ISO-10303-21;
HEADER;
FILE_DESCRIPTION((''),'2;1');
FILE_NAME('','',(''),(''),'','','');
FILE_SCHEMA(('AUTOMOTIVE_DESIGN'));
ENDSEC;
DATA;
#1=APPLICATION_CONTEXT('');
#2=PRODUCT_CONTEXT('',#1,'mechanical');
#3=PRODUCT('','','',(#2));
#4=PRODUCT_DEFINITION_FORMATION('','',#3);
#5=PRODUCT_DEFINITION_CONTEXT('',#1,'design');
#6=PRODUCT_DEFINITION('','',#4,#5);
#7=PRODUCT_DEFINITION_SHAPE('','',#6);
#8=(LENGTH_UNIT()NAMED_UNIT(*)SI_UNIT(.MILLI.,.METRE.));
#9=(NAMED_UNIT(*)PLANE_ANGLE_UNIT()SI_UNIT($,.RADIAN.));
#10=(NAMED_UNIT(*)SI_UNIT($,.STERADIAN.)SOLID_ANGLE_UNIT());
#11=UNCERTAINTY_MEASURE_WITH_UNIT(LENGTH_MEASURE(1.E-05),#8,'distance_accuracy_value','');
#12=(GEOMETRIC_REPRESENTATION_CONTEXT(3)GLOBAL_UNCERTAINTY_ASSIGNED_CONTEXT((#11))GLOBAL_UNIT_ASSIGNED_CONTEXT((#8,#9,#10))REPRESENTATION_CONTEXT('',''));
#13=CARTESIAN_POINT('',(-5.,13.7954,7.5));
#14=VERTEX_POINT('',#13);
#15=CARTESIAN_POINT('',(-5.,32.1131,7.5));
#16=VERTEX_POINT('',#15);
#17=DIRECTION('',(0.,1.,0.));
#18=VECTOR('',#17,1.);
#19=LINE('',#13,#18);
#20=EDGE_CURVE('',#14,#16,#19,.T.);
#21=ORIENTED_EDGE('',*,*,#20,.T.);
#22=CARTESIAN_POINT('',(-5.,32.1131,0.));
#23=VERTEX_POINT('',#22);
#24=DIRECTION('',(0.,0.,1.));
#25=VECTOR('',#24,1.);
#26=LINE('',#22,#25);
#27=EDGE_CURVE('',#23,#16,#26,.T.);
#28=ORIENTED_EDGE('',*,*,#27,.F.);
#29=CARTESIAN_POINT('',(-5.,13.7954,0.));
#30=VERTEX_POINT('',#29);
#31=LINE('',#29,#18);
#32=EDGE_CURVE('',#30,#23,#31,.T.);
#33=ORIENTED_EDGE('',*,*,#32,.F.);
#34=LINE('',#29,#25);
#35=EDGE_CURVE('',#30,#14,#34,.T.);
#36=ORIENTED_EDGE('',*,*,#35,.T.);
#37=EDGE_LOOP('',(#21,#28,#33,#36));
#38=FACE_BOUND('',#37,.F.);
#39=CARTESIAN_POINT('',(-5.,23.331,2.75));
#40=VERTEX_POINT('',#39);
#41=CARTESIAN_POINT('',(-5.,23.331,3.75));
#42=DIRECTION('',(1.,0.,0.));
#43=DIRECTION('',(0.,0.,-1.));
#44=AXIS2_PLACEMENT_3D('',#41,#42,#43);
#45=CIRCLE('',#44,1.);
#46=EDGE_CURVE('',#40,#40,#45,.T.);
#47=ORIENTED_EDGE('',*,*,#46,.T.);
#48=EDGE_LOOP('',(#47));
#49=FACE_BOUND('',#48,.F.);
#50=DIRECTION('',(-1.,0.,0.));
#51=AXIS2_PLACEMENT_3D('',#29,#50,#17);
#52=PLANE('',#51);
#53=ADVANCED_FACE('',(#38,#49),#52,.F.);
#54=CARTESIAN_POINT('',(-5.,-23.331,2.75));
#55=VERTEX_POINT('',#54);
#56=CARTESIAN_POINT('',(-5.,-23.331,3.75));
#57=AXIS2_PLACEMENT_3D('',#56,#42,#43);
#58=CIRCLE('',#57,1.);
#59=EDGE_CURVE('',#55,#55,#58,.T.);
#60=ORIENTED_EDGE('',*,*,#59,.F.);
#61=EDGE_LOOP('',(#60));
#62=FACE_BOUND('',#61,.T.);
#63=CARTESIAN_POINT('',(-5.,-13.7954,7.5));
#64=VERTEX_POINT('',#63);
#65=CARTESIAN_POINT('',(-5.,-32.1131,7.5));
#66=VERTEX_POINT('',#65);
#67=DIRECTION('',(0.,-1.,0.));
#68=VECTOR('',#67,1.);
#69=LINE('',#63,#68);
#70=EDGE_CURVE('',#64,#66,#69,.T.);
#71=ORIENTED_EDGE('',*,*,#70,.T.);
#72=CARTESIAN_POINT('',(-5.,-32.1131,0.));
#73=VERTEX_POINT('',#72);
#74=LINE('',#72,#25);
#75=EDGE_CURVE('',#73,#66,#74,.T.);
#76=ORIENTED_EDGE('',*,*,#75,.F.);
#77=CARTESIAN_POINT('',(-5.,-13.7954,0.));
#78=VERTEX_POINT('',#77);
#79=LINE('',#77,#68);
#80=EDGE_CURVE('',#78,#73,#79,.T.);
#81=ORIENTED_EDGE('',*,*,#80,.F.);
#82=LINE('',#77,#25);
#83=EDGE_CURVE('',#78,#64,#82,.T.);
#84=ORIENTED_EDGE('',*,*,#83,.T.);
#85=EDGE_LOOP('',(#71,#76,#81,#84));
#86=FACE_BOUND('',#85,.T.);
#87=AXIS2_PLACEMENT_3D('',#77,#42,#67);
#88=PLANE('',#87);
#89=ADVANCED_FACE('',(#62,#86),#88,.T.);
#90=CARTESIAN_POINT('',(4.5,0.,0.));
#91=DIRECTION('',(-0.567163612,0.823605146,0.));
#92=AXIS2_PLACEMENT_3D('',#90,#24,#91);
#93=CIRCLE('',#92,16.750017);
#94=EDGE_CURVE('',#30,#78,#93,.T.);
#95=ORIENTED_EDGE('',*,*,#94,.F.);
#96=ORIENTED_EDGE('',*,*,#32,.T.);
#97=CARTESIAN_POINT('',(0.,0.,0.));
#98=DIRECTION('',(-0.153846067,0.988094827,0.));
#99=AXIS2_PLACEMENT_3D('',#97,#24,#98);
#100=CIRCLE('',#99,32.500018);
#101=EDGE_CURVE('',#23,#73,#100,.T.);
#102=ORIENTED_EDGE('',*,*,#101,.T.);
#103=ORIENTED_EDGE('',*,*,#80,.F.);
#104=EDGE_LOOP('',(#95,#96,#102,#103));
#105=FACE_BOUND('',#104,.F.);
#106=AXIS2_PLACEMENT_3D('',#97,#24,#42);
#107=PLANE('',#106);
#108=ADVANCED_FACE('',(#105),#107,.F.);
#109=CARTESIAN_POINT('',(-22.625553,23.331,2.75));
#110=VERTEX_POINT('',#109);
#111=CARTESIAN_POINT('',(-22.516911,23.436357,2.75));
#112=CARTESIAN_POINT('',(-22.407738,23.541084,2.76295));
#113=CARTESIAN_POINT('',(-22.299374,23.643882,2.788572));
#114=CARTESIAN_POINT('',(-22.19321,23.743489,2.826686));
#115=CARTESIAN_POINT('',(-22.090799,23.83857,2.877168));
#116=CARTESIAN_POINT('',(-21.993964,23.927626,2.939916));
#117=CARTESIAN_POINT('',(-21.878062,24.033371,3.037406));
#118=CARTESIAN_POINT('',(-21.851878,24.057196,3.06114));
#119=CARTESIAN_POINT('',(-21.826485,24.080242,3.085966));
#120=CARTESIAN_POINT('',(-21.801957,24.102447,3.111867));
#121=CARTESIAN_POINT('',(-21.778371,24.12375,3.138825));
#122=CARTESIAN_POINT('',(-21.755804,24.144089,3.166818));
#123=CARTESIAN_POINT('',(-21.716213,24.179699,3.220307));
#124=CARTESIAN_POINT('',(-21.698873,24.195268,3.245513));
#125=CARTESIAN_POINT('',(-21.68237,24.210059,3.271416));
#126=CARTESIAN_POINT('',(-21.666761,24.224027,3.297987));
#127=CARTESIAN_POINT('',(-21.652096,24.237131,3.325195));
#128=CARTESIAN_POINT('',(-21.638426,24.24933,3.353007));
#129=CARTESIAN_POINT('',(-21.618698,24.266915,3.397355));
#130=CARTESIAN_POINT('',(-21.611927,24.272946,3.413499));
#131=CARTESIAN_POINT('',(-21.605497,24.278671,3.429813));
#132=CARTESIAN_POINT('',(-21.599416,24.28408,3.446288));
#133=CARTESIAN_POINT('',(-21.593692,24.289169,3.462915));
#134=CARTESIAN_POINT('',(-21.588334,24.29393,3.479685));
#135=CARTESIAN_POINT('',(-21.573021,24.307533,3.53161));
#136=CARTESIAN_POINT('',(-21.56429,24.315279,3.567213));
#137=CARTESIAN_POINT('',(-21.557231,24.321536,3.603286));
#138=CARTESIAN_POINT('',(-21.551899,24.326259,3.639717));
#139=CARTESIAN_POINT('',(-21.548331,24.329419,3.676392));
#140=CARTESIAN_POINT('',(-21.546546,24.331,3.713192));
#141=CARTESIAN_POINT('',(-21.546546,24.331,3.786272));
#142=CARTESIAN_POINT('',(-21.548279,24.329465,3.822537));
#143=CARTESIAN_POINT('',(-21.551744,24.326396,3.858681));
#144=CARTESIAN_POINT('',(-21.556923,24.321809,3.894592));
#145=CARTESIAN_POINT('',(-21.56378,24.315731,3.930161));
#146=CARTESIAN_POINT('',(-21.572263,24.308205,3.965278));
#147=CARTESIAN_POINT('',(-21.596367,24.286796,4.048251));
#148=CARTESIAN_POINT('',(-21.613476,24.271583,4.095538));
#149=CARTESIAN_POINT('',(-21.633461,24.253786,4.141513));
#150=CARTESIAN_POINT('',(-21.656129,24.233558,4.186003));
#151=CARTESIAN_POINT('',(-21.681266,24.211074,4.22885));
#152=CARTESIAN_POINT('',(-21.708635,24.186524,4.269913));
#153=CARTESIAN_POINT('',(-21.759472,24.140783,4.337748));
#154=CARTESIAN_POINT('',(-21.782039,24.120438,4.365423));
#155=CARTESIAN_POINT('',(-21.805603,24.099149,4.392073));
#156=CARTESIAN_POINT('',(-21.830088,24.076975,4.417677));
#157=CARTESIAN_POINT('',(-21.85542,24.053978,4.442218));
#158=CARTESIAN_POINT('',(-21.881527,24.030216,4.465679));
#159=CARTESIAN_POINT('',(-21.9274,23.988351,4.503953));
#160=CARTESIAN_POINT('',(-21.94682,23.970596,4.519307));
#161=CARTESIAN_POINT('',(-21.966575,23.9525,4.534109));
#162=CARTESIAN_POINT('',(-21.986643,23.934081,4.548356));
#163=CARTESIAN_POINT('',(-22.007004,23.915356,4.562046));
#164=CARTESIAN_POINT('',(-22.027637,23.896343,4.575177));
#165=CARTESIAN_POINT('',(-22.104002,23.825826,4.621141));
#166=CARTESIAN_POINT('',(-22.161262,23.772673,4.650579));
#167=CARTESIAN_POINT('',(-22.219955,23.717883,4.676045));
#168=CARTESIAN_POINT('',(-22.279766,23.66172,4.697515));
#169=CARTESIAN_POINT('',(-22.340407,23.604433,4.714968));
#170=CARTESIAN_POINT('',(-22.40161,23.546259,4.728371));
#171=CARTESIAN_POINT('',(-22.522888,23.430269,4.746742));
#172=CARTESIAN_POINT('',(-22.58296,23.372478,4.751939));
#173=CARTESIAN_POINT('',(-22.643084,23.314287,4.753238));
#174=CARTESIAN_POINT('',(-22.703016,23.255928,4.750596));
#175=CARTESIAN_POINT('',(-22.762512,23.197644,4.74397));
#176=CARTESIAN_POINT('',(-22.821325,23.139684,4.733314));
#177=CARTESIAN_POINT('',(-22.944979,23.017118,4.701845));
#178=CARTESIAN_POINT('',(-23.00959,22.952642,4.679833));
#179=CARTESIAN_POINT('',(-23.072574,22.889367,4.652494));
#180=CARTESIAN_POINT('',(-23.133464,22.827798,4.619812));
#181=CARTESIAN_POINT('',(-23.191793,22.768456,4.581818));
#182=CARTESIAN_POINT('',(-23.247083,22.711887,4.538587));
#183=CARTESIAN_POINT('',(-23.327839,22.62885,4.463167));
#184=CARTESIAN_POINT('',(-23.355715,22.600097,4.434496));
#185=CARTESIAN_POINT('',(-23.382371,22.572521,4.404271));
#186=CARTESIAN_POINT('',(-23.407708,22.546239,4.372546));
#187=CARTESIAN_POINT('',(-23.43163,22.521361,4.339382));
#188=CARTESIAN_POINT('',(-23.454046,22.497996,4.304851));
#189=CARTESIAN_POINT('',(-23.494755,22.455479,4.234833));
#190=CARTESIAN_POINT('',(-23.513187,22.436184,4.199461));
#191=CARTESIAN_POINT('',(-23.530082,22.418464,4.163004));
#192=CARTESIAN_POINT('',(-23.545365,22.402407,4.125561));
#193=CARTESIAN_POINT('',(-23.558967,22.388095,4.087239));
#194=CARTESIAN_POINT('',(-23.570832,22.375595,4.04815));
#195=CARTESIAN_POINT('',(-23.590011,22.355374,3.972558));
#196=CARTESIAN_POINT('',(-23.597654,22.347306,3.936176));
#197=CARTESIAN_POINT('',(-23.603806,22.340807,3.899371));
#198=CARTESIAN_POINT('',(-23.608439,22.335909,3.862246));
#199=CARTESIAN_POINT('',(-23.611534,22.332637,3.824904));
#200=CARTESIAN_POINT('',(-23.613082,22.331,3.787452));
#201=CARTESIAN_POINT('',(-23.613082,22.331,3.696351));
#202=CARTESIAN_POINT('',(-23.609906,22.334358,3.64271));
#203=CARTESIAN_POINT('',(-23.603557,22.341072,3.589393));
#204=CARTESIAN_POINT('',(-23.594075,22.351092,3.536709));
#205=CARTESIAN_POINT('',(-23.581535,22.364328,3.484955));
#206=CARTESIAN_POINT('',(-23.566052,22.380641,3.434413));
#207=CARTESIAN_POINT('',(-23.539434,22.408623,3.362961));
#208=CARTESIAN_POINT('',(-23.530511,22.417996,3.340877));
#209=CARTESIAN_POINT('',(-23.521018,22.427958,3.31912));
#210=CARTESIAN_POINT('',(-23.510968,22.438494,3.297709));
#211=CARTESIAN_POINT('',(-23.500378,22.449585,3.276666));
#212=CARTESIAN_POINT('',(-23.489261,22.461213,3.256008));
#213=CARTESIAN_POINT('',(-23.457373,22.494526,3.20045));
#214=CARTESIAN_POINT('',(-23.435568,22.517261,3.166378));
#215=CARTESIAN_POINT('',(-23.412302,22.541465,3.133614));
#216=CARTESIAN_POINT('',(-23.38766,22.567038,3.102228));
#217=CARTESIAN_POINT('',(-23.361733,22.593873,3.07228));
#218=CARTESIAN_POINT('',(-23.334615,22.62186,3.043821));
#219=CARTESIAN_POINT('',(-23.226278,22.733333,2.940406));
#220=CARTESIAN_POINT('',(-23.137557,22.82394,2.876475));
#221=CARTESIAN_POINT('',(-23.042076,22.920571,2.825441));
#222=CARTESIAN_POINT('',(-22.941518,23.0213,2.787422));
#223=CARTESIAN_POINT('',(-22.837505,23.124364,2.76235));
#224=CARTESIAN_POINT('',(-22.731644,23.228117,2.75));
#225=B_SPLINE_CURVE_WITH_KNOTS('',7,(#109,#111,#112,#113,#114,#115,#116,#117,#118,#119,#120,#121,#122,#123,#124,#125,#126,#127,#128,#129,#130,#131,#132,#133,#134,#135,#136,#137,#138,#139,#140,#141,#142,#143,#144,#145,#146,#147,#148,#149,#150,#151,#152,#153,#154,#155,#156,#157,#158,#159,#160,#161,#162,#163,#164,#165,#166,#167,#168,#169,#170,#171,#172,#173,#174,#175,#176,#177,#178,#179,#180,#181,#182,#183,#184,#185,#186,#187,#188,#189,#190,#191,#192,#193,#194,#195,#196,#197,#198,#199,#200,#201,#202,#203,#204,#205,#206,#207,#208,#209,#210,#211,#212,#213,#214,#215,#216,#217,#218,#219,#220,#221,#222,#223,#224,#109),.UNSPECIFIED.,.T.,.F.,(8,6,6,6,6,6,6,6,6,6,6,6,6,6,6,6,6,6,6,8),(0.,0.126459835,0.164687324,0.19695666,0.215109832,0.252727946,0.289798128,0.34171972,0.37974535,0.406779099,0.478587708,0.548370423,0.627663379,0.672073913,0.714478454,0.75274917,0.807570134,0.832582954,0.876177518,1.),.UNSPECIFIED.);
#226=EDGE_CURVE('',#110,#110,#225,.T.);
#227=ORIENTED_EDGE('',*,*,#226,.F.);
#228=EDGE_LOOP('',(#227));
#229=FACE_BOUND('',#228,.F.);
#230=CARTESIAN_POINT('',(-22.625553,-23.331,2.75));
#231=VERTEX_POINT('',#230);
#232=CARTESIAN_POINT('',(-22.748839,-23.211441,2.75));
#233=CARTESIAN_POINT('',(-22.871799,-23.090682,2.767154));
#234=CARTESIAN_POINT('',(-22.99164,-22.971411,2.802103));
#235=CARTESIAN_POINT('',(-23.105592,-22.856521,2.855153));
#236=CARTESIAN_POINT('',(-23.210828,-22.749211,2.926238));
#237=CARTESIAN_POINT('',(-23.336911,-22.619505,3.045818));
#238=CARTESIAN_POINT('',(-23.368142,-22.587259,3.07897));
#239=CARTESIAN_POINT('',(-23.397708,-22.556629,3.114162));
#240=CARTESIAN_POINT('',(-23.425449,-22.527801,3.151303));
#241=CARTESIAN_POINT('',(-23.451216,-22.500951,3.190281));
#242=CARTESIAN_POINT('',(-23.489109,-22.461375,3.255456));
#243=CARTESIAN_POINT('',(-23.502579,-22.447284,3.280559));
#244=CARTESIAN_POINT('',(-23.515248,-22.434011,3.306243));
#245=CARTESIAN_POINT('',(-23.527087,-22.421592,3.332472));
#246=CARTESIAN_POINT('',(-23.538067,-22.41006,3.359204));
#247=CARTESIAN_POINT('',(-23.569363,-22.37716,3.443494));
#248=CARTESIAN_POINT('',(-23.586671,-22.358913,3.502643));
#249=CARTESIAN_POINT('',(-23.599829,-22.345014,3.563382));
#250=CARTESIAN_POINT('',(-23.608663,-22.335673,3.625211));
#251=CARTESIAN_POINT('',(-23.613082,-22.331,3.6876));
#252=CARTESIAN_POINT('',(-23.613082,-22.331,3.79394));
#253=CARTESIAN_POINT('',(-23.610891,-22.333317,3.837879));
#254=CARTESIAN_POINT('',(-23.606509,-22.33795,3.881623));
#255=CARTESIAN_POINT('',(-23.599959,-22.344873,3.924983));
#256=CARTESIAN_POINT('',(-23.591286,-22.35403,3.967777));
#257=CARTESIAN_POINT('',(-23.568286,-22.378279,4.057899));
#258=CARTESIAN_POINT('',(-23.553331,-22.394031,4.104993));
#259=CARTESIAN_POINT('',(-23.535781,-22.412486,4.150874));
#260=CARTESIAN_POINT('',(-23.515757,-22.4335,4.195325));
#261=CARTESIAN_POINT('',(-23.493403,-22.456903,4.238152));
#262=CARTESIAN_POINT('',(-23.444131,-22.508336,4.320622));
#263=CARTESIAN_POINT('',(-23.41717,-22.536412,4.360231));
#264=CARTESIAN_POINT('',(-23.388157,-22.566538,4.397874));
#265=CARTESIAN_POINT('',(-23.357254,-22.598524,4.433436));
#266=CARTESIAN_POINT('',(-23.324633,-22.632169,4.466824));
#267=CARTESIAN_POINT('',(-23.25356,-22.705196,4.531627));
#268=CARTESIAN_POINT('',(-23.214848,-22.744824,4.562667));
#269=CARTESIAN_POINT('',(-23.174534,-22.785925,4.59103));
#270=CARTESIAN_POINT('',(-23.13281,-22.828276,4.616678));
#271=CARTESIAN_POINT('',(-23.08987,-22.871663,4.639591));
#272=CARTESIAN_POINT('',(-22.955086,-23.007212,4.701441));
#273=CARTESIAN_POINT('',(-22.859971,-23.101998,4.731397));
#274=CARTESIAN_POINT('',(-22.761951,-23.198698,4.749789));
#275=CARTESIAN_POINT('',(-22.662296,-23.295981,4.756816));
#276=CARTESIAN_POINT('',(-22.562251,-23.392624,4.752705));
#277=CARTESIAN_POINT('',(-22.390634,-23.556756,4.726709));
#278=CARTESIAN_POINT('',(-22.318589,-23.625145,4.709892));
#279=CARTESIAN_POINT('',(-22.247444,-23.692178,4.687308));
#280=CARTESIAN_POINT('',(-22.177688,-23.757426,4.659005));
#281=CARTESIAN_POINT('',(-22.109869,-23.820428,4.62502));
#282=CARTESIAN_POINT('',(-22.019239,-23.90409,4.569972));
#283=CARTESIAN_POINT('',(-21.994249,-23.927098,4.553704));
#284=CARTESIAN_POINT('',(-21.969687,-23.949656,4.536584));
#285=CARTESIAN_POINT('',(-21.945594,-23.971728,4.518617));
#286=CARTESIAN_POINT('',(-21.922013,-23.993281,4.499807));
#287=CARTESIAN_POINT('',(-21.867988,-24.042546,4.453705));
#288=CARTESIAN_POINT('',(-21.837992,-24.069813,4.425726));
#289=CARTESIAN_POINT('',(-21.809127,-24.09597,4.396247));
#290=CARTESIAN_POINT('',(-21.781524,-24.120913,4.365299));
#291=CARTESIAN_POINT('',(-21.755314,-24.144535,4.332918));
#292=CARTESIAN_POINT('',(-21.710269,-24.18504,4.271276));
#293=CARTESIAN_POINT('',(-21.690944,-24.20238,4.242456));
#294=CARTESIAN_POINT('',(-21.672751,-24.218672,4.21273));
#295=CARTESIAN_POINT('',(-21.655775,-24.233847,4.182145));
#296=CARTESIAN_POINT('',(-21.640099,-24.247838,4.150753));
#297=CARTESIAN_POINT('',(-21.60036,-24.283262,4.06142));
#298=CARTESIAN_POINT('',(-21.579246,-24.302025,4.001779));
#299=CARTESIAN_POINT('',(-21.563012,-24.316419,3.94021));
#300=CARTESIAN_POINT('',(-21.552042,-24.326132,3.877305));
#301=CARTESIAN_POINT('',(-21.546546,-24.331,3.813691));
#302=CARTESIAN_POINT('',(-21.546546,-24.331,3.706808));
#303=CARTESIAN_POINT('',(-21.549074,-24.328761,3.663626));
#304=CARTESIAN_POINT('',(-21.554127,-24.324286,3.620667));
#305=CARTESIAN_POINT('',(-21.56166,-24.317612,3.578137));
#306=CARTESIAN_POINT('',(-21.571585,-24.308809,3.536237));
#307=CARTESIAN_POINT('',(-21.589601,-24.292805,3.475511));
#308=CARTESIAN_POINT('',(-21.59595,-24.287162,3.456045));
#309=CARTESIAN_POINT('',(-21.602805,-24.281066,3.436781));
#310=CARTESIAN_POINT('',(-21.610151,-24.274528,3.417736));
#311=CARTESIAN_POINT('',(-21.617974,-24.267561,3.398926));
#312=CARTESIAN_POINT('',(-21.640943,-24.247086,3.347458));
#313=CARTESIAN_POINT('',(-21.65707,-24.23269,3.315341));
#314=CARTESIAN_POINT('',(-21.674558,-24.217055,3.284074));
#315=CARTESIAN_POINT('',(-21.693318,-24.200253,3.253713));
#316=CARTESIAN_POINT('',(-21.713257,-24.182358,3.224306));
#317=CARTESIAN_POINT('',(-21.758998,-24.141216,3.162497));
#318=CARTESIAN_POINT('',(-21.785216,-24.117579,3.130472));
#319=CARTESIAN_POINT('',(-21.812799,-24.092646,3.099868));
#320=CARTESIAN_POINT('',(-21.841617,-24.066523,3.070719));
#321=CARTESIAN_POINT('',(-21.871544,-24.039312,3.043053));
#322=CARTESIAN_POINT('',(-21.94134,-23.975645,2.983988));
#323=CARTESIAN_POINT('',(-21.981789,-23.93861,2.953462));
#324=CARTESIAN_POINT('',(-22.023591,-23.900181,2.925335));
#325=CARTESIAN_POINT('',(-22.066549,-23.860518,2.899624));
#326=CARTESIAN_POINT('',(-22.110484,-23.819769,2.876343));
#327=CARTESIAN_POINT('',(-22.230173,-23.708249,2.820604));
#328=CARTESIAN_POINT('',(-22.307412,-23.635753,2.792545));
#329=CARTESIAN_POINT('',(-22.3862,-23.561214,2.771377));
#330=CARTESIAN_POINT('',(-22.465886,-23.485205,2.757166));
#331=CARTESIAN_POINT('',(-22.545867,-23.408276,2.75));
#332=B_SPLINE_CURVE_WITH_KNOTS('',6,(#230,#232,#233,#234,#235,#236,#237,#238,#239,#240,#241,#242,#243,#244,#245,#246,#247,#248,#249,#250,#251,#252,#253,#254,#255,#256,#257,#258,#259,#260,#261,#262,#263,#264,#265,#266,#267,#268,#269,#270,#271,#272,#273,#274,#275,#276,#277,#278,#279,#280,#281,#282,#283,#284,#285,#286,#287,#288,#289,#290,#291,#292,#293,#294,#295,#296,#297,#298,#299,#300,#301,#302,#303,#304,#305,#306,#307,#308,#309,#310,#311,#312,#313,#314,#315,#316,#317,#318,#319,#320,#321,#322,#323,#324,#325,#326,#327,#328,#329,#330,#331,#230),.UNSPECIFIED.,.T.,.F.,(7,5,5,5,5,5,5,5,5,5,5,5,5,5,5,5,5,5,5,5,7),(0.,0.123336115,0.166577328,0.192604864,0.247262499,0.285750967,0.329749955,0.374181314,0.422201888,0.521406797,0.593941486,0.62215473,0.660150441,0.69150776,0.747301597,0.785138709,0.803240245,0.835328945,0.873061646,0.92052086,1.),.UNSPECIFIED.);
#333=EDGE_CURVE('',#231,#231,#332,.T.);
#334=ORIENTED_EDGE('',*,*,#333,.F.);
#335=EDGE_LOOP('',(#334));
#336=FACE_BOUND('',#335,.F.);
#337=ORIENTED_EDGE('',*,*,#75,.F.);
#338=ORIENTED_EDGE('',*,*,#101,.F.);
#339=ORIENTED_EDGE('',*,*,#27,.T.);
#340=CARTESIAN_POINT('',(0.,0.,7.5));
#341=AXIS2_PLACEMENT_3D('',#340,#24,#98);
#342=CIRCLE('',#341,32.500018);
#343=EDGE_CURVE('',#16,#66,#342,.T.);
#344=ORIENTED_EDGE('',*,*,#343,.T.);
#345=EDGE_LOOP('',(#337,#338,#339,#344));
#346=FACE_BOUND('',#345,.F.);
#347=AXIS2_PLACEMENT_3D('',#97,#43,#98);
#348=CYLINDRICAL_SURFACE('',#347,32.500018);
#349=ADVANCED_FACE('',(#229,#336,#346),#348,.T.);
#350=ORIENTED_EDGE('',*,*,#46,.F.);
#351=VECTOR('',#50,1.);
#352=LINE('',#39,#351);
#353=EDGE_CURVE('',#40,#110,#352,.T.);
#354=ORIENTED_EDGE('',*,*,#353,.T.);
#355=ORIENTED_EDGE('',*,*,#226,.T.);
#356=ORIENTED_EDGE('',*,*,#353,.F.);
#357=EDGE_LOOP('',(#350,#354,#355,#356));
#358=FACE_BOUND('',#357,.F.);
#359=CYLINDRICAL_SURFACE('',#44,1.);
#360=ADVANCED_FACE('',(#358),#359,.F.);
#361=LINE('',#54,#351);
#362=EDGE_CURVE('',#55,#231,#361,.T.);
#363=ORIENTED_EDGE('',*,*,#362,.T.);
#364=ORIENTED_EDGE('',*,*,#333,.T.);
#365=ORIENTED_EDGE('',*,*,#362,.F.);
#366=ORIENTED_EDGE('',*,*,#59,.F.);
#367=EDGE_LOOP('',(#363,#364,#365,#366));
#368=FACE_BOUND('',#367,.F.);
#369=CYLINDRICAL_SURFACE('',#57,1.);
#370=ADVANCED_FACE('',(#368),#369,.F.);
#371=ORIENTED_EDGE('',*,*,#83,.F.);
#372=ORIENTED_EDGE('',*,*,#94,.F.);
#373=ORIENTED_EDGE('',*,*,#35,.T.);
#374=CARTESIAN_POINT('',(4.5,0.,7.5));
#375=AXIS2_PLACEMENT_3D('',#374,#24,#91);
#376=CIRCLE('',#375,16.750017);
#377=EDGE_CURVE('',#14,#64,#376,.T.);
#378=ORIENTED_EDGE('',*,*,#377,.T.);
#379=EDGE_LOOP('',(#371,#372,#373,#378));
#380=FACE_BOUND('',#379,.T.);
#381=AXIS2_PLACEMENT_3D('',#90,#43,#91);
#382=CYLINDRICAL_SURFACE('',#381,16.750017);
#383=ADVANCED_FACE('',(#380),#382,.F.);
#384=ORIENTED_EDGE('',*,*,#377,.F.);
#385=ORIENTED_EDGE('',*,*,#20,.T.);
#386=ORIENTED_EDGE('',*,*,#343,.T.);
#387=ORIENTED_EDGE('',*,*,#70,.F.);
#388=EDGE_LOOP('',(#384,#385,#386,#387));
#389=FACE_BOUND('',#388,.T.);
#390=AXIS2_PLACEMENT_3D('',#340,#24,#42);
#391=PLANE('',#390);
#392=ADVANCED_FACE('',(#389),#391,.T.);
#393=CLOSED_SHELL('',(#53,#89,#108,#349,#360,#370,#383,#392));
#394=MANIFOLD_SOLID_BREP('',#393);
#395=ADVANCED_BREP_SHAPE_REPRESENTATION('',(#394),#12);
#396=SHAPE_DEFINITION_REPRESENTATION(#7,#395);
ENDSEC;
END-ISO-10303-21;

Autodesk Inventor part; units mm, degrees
ref_plane "YZ Plane" through (0, 0, 0) normal (1, 0, 0) x (0, 1, 0)
ref_plane "XZ Plane" through (0, 0, 0) normal (0, 1, 0) x (-1, 0, 0)
ref_plane "XY Plane" through (0, 0, 0) normal (0, 0, 1) x (1, 0, 0)
sketch "Sketch1" plane through (0, 0, 0) normal (0, 0, 1) x (1, 0, 0)
  arc A0 (-5, 32.1131) -> (-5, -32.1131) centre (0, 0) ccw
  arc A1 (-5, 13.7954) -> (-5, -13.7954) centre (4.5, 0) ccw
  line L0 (-5, -13.7954) -> (-5, -32.1131)
  line L1 (-5, 13.7954) -> (-5, 32.1131)
  arc A2 (-5, 13.7954) -> (-5, -13.7954) centre (4.5, 0) ccw
  point P0 (3.7885, 24.6247)
extrude "Extrusion1" add sketch "Sketch1" along normal blind 7.5
sketch "Sketch2" plane through (-5, -32.1131, 0) normal (1, 0, 0) x (0, 0, -1)
  line L0 (0, 6.9167) -> (7.5, 6.9167)
  line L1 (0, 0) -> (0, 6.9167)
  line L2 (0, 6.9167) -> (7.5, 6.9167)
  line L3 (7.5, 26.7893) -> (7.5, 0)
  line L4 (7.5, 6.9167) -> (7.5, 0)
  line L5 (7.5, 0) -> (0, 0)
  line L6 (7.5, 0) -> (0, 0)
  circle A0 centre (-3.75, 8.7821) radius 1
  line L7 (0, 0) -> (3.0149, 2.7804)
  line L8 (4.4851, 4.1363) -> (7.5, 6.9167)
  line L9 (0, 6.9167) -> (3.0149, 4.1363)
  line L10 (4.4851, 2.7804) -> (7.5, 0)
  line L11 (0, 0) -> (0, 53.5786)
  line L12 (0, 53.5786) -> (0, 0)
  line L13 (-7.5, 32.1131) -> (0, 32.1131)
  circle A1 centre (-3.75, 55.4441) radius 1
  line L14 (0, 53.5786) -> (7.5, 53.5786)
  line L15 (7.5, 53.5786) -> (7.5, 0)
  line L16 (-7.2671, 64.2522) -> (-7.2671, 0)
  line L17 (-7.5, 64.2262) -> (-7.5, 0) projected
  line L18 (-7.5, 32.1131) -> (-4.2989, 32.1131)
  point P0 (280.32, 51.414)
  dimension "d3" = 2
extrude "Extrusion2" cut sketch "Sketch2" against normal blind 25.4 contours A0 | A1
properties part number "ContrapesoGrande2"
